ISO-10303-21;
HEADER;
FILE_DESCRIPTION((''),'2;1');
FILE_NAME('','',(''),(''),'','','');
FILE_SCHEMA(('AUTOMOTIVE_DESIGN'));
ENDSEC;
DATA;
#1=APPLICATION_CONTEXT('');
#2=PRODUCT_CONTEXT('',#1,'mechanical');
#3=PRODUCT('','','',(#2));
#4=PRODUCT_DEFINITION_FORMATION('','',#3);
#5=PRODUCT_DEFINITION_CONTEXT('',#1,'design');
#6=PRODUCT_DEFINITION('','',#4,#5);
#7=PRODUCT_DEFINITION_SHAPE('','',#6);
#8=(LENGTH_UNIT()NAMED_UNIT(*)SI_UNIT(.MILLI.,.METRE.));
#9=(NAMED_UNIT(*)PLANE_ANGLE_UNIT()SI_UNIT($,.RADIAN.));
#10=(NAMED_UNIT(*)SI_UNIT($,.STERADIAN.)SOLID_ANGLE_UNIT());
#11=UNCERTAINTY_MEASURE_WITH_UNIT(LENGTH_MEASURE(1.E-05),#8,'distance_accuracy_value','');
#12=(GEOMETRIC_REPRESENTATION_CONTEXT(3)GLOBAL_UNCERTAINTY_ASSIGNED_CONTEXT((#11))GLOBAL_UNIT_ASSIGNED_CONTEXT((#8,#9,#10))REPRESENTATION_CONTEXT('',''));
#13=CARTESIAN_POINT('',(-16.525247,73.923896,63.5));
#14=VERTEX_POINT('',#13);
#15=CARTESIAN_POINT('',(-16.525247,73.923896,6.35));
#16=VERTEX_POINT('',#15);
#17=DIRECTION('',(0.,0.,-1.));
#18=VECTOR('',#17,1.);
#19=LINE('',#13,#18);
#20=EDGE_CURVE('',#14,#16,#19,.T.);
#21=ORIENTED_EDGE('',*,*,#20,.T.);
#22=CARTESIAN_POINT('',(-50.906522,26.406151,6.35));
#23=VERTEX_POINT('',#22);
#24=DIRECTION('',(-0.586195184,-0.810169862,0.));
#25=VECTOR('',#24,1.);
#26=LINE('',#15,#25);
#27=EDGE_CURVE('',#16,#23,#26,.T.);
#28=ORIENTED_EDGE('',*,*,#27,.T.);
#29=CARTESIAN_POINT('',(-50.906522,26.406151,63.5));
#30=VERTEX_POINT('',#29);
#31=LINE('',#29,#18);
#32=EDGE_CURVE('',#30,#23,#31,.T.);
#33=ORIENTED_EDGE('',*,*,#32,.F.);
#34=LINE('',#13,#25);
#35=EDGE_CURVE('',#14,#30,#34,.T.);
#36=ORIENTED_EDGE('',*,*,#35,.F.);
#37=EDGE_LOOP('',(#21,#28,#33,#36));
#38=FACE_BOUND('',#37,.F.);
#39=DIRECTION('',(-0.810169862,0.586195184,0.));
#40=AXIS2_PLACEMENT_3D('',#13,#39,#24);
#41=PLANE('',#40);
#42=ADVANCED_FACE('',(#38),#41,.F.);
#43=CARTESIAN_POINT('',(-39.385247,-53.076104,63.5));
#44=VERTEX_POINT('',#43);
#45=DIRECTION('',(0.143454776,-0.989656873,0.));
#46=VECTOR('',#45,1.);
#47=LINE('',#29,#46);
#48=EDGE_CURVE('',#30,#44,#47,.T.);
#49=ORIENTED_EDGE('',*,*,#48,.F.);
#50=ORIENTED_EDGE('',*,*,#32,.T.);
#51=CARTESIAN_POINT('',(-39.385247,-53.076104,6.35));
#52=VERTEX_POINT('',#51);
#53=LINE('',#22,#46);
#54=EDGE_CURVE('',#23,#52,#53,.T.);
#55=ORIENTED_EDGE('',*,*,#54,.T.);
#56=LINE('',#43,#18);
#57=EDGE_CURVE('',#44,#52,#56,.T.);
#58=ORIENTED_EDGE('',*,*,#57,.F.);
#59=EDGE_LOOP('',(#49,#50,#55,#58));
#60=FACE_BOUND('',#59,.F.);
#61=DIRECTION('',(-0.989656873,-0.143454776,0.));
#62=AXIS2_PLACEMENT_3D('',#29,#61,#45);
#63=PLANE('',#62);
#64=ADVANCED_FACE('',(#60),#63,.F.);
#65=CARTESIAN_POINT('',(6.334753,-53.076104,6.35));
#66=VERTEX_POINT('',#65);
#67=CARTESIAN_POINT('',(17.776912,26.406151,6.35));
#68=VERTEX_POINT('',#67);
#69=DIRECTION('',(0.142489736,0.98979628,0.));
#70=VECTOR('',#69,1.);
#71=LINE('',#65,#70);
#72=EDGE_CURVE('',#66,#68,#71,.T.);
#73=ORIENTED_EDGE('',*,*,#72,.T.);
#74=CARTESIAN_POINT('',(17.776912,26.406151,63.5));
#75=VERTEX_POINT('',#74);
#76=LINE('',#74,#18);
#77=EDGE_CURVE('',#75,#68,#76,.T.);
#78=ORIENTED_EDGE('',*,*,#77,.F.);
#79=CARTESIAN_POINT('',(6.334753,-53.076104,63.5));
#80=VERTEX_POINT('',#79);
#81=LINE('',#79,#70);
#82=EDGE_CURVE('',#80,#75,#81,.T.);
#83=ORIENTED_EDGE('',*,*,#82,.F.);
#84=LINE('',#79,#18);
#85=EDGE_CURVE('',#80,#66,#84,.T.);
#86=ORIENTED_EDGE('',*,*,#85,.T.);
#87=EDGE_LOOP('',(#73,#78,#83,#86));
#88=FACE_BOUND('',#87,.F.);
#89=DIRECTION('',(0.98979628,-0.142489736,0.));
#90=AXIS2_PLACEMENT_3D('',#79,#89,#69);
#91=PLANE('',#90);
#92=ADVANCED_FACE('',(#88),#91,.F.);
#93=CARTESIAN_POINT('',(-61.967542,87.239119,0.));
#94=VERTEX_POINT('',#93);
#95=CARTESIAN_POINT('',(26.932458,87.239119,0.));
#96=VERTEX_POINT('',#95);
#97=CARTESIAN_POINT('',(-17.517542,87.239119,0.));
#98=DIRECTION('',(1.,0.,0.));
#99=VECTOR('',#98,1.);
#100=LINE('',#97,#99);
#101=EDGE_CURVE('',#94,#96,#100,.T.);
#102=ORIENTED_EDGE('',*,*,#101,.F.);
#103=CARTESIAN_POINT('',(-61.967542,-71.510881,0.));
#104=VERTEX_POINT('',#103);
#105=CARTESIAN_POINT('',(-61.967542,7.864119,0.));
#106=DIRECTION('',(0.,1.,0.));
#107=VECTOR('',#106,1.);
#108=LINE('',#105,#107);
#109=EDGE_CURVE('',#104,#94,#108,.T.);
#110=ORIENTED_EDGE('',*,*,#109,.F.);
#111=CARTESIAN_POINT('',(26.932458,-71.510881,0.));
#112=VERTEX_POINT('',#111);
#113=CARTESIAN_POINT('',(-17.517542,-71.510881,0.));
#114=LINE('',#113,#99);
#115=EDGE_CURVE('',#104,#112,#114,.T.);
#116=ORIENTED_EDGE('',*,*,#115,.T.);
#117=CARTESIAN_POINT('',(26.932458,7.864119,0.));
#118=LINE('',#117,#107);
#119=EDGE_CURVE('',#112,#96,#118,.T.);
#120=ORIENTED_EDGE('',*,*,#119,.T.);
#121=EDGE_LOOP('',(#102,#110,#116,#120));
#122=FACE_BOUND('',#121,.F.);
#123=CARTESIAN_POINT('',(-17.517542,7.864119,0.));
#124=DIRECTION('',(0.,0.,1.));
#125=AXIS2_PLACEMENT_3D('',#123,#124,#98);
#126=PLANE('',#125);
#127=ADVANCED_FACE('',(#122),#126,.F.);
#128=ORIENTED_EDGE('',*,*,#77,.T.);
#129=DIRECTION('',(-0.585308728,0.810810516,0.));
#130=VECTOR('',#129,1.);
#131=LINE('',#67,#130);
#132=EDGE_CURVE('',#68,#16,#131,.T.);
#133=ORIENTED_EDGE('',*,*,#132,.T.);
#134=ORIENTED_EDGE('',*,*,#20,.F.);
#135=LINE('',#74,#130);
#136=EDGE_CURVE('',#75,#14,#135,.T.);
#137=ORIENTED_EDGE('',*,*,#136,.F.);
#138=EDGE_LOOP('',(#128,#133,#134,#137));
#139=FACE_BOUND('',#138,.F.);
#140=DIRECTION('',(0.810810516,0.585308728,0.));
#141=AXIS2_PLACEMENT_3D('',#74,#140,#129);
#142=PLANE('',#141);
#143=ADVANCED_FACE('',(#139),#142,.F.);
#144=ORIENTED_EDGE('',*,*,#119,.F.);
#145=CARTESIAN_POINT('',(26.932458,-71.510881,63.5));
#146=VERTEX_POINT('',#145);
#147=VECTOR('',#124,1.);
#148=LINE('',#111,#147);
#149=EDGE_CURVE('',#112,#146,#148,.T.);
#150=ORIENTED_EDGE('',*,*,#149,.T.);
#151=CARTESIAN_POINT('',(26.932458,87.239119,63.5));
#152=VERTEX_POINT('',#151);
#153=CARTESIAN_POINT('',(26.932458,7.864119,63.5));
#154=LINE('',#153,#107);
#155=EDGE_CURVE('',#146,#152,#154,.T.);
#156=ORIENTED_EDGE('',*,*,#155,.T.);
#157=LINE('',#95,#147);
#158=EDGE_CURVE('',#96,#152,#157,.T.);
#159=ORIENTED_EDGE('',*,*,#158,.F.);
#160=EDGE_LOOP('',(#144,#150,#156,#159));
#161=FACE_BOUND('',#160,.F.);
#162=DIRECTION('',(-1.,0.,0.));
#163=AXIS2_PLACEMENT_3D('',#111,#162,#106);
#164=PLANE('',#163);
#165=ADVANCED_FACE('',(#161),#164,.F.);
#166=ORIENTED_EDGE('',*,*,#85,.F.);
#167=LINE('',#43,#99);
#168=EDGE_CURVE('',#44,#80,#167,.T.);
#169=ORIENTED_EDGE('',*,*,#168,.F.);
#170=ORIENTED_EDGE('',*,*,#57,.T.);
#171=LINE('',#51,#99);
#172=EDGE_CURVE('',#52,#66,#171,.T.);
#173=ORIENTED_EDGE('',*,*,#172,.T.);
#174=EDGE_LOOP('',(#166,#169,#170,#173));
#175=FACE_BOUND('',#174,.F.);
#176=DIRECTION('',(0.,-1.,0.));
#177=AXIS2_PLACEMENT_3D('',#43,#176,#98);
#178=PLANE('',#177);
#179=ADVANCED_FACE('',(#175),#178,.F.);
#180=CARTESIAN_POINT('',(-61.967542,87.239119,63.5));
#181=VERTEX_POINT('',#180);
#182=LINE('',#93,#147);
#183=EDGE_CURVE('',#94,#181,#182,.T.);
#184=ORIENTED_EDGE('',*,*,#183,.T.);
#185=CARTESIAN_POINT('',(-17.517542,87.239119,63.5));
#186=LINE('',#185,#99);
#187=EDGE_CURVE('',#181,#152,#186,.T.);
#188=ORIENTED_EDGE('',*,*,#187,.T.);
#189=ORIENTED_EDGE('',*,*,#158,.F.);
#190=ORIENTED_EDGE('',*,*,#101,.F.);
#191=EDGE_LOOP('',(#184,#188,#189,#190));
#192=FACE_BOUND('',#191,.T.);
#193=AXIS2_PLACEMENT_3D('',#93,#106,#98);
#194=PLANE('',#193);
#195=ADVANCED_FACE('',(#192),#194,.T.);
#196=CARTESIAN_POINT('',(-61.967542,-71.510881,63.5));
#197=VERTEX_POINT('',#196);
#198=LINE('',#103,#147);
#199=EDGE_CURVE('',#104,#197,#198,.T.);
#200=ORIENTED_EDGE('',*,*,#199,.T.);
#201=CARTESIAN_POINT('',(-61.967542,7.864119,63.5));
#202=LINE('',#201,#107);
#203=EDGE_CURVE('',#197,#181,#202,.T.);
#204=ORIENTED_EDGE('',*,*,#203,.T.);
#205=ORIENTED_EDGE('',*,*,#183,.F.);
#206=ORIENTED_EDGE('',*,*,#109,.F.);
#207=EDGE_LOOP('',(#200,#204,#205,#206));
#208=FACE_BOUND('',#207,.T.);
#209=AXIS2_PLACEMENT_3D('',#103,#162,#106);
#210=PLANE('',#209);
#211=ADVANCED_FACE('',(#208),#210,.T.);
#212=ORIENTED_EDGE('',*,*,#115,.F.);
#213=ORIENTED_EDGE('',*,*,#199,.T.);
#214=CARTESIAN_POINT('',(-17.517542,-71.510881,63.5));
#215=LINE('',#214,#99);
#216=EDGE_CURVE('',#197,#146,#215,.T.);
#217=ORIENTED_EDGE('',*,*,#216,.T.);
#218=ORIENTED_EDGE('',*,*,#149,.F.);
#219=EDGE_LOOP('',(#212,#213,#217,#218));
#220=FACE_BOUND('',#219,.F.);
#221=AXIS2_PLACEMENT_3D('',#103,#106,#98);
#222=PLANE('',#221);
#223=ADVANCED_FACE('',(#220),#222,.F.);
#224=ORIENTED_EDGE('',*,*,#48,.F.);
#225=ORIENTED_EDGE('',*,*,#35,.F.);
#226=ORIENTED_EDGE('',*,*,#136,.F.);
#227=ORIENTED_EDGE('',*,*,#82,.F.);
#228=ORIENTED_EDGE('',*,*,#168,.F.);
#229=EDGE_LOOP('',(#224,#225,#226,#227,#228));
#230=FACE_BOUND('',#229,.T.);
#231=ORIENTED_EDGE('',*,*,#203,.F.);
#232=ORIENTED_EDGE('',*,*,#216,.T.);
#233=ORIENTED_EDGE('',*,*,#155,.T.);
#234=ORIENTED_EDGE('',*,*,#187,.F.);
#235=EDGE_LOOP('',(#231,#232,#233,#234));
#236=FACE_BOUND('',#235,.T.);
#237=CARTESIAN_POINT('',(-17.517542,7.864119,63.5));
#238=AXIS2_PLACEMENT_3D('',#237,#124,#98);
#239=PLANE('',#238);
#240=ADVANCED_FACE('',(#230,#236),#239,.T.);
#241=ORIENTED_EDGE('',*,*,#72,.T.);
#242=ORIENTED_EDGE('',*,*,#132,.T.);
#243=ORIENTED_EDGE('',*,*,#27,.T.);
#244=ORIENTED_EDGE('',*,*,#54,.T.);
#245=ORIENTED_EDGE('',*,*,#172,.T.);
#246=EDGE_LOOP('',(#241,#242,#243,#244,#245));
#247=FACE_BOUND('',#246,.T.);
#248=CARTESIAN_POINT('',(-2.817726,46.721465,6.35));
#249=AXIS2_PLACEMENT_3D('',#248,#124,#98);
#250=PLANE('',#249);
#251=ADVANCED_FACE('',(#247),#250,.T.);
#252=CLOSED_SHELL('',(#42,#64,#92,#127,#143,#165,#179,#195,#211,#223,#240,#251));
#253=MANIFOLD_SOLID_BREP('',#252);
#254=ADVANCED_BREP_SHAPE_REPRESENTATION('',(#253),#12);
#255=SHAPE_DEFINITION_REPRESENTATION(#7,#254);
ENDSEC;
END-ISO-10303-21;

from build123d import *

# Parameters (mm, degrees)
F0_W     = 88.9
F0_H     = 158.75
F1_DEPTH = 63.5
F2_W     = 22.86
F2_H     = 14.4977445151
F2_H_2   = 79.4822554849
F3_DEPTH = 57.15


with BuildPart() as f1:
    # F0 (on Top) → F1 (new body)
    with BuildSketch(Plane.XY):
        with Locations((-17.5175424735, 7.864119485)):
            Rectangle(F0_W, F0_H)
    extrude(amount=F1_DEPTH)

    # F2 (on face) → F3 (cut)
    with BuildSketch(Plane.XY.offset(63.5)):
        Polygon((-16.525246546, 73.9238959342), (-16.525246546, 40.9038959342), (6.334753454, 40.9038959342), (6.334753454, 26.4061514191), (17.7769116252, 26.4061514191), align=None)
        Polygon((-39.385246546, 26.4061514191), (-39.385246546, 40.9038959342), (-16.525246546, 40.9038959342), (-16.525246546, 73.9238959342), (-50.9065217465, 26.4061514191), align=None)
        with Locations((-27.955246546, 33.6550236767)):
            Rectangle(F2_W, F2_H)
        with Locations((-5.095246546, 33.6550236767)):
            Rectangle(F2_W, F2_H)
        with Locations((-5.095246546, -13.3349763233)):
            Rectangle(F2_W, F2_H_2)
        Polygon((17.7769116252, 26.4061514191), (6.334753454, 26.4061514191), (6.334753454, -53.0761040658), align=None)
        with Locations((-27.955246546, -13.3349763233)):
            Rectangle(F2_W, F2_H_2)
        Polygon((-39.385246546, -53.0761040658), (-39.385246546, 26.4061514191), (-50.9065217465, 26.4061514191), align=None)
    extrude(amount=-F3_DEPTH, mode=Mode.SUBTRACT)


solid = f1.part
